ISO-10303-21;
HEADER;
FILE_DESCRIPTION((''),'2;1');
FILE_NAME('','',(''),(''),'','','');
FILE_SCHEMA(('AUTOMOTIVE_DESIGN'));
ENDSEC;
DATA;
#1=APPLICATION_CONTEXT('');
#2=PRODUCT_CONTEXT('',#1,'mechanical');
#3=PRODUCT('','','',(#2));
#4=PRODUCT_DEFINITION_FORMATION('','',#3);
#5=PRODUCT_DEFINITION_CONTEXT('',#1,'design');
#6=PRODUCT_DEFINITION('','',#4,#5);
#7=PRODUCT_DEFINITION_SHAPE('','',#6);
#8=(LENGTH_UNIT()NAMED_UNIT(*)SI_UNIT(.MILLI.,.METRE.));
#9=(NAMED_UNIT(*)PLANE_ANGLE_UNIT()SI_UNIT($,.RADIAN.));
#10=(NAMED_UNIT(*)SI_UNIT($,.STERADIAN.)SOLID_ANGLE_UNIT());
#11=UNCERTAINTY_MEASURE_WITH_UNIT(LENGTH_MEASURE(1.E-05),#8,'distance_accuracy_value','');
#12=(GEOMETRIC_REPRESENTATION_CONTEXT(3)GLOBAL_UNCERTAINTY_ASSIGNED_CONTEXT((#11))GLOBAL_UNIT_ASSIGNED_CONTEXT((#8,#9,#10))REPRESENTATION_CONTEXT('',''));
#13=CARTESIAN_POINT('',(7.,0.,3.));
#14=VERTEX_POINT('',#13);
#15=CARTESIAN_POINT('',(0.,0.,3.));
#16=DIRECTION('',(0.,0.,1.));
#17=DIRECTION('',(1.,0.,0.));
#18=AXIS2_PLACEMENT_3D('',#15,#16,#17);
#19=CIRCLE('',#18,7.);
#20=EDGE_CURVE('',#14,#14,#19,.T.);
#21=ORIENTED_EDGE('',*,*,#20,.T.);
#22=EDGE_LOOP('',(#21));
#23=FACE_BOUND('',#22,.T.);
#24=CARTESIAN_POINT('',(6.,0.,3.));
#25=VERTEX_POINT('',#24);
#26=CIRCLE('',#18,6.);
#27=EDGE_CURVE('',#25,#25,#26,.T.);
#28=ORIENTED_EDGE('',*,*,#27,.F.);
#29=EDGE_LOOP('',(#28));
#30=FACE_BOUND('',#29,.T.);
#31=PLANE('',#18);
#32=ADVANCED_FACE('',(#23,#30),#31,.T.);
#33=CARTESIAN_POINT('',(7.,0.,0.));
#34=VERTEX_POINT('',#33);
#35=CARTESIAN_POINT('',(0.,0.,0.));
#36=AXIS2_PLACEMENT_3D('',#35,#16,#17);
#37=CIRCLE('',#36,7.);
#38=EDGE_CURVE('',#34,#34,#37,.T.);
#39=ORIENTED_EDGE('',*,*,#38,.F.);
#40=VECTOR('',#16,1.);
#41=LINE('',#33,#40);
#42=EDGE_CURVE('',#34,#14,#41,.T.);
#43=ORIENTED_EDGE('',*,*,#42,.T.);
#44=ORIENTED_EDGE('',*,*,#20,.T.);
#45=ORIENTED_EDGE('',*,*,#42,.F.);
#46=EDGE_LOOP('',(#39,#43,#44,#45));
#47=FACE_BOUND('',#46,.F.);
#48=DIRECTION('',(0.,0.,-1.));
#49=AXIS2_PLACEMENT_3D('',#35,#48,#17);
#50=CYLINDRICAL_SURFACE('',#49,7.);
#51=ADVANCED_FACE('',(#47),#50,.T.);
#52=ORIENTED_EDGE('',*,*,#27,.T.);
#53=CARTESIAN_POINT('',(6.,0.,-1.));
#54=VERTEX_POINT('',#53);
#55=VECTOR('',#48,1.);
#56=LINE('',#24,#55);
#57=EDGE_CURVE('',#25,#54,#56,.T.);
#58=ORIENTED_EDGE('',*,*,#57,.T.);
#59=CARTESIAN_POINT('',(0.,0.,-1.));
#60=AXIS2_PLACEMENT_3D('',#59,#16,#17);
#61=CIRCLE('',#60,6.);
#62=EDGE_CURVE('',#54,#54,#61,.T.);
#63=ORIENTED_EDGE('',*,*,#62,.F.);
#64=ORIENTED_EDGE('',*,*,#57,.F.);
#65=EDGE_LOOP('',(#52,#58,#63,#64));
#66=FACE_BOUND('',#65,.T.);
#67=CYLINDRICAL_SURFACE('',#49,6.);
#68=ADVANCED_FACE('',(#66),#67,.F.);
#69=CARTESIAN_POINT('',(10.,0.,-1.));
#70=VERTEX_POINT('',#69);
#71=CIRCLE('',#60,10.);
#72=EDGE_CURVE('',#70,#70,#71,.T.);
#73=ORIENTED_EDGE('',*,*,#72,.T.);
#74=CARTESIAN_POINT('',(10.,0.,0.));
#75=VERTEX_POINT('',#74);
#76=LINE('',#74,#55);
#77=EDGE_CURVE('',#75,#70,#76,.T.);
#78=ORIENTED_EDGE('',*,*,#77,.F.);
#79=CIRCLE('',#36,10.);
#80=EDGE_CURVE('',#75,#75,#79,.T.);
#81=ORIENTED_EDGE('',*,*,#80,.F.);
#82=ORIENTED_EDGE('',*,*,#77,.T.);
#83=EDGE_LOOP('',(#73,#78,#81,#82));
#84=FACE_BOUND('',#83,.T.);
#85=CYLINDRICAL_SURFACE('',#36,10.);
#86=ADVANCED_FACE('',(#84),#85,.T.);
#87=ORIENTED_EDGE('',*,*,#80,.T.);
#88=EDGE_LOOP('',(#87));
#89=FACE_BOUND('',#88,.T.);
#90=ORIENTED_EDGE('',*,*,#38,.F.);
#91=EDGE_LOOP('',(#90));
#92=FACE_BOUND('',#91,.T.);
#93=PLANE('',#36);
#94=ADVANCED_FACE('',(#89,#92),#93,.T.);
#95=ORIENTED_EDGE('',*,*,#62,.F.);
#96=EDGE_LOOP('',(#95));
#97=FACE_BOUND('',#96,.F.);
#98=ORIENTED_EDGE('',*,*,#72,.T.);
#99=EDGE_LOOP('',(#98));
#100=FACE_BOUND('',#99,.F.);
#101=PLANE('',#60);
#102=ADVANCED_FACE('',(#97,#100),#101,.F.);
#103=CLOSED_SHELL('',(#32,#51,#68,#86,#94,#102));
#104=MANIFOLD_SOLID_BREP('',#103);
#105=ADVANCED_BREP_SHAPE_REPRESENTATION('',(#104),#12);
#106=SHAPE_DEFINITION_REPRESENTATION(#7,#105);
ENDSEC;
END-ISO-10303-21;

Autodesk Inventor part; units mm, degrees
ref_plane "YZ Plane" through (0, 0, 0) normal (1, 0, 0) x (0, 1, 0)
ref_plane "XZ Plane" through (0, 0, 0) normal (0, 1, 0) x (-1, 0, 0)
ref_plane "XY Plane" through (0, 0, 0) normal (0, 0, 1) x (1, 0, 0)
sketch "スケッチ1" plane through (0, 0, 0) normal (0, 0, 1) x (1, 0, 0)
  circle A0 centre (0, 0) radius 6
  circle A1 centre (0, 0) radius 7
  circle A2 centre (0, 0) radius 10
  dimension "d0" = 12
  dimension "d1" = 14
  dimension "d2" = 20
extrude "押し出し1" add sketch "スケッチ1" along normal blind 3 contours A1
extrude "押し出し2" add sketch "スケッチ1" against normal blind 1 contours A1 | A2
properties part number "ドライメットブッシュ 内径12"
